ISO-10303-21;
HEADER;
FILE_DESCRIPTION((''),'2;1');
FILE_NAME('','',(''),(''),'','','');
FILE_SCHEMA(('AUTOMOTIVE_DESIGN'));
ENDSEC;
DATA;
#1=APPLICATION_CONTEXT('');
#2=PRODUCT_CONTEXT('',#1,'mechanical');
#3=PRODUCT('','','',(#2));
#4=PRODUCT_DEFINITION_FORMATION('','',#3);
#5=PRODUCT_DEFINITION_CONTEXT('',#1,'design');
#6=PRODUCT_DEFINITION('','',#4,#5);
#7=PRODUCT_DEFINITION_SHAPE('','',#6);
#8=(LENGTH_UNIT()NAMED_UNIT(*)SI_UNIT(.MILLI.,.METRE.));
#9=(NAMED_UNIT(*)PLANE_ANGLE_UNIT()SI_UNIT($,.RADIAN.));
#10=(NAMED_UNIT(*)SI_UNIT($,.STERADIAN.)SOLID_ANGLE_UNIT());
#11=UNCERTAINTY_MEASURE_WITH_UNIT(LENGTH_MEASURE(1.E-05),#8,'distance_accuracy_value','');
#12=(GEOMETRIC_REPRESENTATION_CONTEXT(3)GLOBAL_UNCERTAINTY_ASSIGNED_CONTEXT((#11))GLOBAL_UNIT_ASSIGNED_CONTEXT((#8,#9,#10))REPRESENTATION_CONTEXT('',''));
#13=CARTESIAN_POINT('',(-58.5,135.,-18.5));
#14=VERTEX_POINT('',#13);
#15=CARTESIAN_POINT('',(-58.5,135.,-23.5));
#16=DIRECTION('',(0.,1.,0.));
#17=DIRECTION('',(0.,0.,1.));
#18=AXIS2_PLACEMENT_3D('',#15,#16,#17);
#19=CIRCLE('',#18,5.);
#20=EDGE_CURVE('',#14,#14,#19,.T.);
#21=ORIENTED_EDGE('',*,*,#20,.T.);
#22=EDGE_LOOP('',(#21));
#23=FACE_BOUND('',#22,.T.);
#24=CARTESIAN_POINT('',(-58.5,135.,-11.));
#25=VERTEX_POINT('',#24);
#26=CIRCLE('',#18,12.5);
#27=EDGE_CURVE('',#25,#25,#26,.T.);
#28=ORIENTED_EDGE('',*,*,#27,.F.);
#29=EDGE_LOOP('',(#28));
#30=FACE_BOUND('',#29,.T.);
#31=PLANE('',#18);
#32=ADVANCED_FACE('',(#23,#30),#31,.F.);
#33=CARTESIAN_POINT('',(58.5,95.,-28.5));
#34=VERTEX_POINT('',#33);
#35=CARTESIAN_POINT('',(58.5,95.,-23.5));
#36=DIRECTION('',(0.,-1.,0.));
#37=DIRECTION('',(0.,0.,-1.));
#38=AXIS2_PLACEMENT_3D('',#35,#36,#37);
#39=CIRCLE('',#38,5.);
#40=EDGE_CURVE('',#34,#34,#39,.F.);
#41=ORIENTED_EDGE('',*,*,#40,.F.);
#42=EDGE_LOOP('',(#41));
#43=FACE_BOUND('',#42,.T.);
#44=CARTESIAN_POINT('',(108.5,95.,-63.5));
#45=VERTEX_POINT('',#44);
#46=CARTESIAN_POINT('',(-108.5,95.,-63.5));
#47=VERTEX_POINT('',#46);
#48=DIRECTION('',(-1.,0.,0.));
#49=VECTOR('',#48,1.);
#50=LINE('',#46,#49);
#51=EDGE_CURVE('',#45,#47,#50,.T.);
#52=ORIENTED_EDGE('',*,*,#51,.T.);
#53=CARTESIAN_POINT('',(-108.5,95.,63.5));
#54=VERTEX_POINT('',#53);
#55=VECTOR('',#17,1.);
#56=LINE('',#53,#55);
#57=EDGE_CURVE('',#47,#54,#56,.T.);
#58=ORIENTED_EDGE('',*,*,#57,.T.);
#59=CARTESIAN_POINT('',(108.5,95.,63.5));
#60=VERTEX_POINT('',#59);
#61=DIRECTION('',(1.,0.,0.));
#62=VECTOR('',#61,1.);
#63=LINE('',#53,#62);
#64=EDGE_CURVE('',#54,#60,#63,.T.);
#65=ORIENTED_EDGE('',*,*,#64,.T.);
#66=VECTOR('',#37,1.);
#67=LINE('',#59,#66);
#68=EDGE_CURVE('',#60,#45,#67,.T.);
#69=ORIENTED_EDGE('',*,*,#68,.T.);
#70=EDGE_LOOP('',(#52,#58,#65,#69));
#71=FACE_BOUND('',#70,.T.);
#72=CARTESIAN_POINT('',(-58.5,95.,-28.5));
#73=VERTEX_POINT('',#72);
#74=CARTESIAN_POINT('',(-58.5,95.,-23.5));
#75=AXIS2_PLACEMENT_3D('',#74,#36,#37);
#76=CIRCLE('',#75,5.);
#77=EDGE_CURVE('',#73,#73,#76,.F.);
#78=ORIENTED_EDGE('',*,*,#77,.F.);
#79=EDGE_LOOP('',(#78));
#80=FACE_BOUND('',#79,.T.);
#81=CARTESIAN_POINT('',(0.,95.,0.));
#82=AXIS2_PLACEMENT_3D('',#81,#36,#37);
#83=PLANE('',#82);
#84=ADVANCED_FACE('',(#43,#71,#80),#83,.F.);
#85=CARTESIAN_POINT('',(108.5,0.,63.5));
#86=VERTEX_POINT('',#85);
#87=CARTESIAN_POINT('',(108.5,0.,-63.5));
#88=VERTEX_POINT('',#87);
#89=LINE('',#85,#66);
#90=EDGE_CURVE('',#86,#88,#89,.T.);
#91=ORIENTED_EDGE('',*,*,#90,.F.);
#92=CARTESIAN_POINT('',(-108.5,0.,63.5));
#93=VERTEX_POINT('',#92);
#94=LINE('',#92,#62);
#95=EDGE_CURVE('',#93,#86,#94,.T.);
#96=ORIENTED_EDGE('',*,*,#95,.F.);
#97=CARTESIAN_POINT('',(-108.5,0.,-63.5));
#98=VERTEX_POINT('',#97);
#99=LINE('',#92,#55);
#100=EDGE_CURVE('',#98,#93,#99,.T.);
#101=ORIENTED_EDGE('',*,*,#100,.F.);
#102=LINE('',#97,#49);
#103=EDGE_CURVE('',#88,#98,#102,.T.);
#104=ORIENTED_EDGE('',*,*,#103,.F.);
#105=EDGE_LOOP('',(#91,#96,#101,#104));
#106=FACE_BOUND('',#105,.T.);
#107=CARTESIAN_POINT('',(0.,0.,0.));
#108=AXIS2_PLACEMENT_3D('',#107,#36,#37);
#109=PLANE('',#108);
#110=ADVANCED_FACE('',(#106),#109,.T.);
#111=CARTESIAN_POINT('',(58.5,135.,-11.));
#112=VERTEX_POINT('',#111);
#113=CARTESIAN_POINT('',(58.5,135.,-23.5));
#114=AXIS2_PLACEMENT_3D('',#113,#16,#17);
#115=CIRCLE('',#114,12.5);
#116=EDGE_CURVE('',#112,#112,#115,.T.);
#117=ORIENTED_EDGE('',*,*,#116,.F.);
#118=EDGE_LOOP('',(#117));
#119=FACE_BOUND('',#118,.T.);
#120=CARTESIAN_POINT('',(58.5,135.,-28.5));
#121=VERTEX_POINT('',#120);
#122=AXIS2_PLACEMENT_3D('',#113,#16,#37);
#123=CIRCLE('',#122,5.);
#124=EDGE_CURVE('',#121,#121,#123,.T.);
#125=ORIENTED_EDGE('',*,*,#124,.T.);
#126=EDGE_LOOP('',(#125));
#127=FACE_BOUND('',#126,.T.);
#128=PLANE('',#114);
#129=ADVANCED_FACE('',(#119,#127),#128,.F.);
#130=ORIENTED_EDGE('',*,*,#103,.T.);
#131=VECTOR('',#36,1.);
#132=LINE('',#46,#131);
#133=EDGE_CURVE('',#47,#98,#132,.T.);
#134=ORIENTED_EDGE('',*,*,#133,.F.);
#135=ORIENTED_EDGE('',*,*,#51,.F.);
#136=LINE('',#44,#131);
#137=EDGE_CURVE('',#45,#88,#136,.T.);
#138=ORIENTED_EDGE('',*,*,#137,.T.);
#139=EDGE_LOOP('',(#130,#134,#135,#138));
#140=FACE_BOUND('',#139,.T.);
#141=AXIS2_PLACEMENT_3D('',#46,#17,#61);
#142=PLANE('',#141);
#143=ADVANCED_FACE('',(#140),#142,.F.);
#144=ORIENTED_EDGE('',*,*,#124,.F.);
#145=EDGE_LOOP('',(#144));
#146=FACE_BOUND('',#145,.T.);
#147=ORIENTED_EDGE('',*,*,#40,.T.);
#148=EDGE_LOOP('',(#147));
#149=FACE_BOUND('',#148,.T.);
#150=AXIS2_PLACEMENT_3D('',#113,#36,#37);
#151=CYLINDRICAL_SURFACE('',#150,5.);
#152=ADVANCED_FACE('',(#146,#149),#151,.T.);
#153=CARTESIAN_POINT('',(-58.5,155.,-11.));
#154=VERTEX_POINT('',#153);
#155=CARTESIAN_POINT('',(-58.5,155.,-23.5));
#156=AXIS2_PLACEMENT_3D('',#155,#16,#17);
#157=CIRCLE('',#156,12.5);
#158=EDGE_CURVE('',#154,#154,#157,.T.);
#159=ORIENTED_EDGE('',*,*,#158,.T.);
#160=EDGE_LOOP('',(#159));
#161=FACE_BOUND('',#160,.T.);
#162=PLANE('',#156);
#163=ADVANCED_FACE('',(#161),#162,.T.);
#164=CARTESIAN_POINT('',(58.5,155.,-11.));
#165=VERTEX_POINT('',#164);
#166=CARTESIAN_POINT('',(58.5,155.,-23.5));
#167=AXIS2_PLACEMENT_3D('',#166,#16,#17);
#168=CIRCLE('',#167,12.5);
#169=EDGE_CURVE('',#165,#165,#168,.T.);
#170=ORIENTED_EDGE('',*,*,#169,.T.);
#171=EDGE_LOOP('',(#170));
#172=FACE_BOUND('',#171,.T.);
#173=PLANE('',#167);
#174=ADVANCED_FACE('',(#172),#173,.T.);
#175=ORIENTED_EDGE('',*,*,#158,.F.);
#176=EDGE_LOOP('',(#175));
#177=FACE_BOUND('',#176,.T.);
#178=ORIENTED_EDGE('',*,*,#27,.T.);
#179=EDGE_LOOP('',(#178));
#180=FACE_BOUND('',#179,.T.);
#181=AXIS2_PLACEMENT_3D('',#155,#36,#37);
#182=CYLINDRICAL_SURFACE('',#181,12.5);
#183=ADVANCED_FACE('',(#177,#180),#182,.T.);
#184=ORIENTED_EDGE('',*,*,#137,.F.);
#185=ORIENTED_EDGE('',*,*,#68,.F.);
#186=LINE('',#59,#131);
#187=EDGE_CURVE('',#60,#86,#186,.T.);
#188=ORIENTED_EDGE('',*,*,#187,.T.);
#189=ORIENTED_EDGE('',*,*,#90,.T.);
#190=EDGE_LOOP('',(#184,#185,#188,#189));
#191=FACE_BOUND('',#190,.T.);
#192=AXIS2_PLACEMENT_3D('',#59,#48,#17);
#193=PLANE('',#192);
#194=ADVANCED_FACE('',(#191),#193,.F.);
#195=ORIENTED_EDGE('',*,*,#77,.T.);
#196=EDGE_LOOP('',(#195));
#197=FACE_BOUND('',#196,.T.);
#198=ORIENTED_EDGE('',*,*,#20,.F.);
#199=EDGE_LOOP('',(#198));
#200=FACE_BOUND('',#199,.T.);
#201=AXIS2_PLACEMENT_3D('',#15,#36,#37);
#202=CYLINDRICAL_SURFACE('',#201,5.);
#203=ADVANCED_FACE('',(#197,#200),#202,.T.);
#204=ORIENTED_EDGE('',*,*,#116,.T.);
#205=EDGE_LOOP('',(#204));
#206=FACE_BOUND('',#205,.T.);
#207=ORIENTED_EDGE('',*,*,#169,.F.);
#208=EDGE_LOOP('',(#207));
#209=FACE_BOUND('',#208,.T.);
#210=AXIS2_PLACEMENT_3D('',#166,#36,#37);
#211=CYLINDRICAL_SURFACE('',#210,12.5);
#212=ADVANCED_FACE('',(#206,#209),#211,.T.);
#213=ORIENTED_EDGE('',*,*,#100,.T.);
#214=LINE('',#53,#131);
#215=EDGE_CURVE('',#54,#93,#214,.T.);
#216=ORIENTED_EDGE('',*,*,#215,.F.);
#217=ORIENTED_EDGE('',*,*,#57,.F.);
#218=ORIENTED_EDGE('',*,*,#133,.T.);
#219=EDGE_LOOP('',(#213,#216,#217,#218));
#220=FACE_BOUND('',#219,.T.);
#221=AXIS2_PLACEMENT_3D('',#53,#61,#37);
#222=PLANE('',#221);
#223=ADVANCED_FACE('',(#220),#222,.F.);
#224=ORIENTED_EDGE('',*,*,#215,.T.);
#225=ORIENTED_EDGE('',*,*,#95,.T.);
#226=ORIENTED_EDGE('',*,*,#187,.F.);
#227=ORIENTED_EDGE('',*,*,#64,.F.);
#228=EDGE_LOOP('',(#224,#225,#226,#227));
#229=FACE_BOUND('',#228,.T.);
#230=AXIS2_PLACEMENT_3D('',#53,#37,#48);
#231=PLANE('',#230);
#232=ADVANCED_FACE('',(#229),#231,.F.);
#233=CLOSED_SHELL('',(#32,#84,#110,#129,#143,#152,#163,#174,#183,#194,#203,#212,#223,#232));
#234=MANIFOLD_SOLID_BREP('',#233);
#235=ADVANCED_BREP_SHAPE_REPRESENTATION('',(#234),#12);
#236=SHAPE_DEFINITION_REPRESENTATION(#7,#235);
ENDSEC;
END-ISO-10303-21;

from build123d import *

# Parameters (mm, degrees)
SKETCH1_W           = 217
SKETCH1_H           = 127
BOSS_EXTRUDE1_DEPTH = 95
SKETCH2_R           = 5
BOSS_EXTRUDE2_DEPTH = 40
SKETCH3_R           = 12.5
BOSS_EXTRUDE3_DEPTH = 20


with BuildPart() as part:
    # Sketch1 → Boss-Extrude1 (new body)
    with BuildSketch(Plane(origin=(0, 0, 0), x_dir=(1, 0, 0), z_dir=(0, 1, 0))):
        Rectangle(SKETCH1_W, SKETCH1_H)
    extrude(amount=BOSS_EXTRUDE1_DEPTH)

    # Sketch2 → Boss-Extrude2 (add)
    with BuildSketch(Plane(origin=(0, 95, 0), x_dir=(1, 0, 0), z_dir=(0, 1, 0))):
        with Locations((-58.5, 23.5)):
            Circle(SKETCH2_R)
        with Locations((58.5, 23.5)):
            Circle(SKETCH2_R)
    extrude(amount=BOSS_EXTRUDE2_DEPTH)

    # Sketch3 → Boss-Extrude3 (add)
    with BuildSketch(Plane(origin=(0, 135, 0), x_dir=(1, 0, 0), z_dir=(0, 1, 0))):
        with Locations((-58.5, 23.5)):
            Circle(SKETCH3_R)
        with Locations((58.5, 23.5)):
            Circle(SKETCH3_R)
    extrude(amount=BOSS_EXTRUDE3_DEPTH)


solid = part.part
